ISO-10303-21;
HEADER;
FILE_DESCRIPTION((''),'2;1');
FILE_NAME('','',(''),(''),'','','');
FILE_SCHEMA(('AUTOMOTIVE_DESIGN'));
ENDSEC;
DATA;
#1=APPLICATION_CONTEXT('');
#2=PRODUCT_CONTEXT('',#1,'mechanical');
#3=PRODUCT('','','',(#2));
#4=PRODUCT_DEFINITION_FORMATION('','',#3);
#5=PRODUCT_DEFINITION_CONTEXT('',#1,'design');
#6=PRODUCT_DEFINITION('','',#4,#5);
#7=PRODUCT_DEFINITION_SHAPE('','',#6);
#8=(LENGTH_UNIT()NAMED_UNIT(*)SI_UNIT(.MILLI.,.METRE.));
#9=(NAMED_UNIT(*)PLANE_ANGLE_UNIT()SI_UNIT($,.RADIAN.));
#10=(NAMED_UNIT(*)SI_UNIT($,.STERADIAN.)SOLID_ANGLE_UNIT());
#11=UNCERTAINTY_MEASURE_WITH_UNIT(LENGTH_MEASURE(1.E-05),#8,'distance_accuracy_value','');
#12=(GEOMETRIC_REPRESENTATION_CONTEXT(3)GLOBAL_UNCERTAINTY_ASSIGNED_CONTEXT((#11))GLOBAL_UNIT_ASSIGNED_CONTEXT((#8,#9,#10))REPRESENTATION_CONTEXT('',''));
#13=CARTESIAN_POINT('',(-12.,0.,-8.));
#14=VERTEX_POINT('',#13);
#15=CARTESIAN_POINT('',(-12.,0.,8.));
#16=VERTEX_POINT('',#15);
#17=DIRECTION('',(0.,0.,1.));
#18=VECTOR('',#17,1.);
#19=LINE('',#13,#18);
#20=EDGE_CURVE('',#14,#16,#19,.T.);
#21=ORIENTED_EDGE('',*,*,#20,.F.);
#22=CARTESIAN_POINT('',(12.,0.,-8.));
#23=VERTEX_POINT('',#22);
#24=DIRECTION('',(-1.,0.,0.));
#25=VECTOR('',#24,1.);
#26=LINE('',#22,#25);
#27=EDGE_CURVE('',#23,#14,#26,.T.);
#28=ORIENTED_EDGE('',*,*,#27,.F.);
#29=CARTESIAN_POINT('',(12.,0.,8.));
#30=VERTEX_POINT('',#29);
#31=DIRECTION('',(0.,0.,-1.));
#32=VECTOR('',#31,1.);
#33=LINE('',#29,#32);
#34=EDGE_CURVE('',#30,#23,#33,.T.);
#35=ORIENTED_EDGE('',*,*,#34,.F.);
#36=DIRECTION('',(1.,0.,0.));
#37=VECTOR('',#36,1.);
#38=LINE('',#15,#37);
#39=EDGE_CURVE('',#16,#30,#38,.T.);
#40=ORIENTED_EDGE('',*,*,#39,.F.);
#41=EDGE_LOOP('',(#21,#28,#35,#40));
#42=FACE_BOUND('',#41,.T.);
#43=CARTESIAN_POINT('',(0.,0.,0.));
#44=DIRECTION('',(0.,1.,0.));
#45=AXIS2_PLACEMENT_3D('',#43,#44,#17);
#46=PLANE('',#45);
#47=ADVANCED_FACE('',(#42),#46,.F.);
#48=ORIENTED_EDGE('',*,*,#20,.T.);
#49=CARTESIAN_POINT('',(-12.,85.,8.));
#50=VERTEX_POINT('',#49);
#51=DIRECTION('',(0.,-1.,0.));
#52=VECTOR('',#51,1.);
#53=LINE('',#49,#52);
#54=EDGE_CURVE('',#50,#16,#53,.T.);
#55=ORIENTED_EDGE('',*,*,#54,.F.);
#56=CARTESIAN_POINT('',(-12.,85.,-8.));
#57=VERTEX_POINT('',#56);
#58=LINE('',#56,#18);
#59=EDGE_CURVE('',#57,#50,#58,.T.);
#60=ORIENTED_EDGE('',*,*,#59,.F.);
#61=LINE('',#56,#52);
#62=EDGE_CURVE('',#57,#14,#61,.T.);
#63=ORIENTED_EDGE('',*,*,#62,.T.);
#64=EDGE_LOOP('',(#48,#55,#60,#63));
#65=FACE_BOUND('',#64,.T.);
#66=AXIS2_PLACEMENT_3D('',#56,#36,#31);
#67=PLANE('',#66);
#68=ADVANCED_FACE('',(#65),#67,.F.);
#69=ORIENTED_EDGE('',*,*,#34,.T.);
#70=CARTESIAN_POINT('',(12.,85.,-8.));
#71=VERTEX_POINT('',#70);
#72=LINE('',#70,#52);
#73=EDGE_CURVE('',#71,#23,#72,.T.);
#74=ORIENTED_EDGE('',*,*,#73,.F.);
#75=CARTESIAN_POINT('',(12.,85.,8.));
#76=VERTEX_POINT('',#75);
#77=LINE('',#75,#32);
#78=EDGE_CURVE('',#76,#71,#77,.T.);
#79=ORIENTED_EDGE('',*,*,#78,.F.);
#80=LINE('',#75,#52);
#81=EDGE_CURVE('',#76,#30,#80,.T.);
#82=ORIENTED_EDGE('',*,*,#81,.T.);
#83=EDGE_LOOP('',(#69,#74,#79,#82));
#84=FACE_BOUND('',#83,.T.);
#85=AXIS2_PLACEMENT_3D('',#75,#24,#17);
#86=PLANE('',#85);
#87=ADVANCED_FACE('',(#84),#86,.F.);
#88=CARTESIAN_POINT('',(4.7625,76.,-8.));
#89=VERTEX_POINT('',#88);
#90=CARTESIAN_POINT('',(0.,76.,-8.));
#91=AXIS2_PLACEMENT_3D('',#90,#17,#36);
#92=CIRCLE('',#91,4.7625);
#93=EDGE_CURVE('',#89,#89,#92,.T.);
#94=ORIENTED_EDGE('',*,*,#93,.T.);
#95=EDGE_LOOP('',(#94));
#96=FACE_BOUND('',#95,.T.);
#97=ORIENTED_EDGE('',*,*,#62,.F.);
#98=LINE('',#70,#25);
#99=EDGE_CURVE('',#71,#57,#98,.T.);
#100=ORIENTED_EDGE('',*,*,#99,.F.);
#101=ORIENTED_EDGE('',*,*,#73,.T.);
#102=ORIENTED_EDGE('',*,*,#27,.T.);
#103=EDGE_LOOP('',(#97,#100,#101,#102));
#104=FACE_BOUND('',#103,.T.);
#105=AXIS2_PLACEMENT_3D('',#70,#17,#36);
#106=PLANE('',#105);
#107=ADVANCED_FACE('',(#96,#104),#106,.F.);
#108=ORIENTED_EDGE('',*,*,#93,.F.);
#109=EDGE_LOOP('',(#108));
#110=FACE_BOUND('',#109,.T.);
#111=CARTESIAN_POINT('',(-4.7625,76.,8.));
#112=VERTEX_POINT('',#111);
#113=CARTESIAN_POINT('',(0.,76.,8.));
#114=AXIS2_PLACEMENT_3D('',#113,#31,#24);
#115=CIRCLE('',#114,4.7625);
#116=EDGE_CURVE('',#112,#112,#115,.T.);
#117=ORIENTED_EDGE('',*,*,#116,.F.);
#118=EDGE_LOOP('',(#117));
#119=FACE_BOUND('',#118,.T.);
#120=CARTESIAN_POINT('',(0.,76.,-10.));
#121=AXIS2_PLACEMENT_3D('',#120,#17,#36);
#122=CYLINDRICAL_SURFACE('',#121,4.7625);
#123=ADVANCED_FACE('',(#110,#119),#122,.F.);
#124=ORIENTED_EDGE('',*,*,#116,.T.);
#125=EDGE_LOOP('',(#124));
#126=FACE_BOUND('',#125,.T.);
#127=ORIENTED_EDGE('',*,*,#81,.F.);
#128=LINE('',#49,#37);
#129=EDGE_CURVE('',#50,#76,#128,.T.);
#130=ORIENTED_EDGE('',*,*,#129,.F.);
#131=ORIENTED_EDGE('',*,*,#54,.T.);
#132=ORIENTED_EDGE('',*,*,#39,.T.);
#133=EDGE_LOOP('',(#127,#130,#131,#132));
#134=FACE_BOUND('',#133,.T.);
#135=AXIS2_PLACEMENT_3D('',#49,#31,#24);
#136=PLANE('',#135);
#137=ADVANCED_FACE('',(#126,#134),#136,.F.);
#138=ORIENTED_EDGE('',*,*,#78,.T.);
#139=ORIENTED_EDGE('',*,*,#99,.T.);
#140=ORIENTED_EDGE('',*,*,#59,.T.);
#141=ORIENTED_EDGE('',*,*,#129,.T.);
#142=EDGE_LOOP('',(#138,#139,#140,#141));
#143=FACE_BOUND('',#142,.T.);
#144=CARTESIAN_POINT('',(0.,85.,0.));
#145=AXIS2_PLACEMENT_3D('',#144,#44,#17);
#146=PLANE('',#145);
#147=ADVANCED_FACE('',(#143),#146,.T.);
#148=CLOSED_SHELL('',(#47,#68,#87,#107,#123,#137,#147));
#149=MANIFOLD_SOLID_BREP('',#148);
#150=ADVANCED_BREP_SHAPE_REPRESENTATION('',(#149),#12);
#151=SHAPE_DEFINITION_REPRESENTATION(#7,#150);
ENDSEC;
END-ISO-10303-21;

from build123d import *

# Parameters (mm, degrees)
SKETCH1_W           = 24
SKETCH1_H           = 16
BOSS_EXTRUDE1_DEPTH = 85
SKETCH2_R           = 4.7625
CUT_EXTRUDE1_DEPTH  = 10


with BuildPart() as part:
    # Sketch1 → Boss-Extrude1 (new body)
    with BuildSketch(Plane(origin=(0, 0, 0), x_dir=(1, 0, 0), z_dir=(0, 1, 0))):
        Rectangle(SKETCH1_W, SKETCH1_H)
    extrude(amount=BOSS_EXTRUDE1_DEPTH)

    # Sketch2 → Cut-Extrude1 (cut, symmetric)
    with BuildSketch(Plane.XY):
        with Locations((0, 76)):
            Circle(SKETCH2_R)
    extrude(amount=CUT_EXTRUDE1_DEPTH, both=True, mode=Mode.SUBTRACT)


solid = part.part
